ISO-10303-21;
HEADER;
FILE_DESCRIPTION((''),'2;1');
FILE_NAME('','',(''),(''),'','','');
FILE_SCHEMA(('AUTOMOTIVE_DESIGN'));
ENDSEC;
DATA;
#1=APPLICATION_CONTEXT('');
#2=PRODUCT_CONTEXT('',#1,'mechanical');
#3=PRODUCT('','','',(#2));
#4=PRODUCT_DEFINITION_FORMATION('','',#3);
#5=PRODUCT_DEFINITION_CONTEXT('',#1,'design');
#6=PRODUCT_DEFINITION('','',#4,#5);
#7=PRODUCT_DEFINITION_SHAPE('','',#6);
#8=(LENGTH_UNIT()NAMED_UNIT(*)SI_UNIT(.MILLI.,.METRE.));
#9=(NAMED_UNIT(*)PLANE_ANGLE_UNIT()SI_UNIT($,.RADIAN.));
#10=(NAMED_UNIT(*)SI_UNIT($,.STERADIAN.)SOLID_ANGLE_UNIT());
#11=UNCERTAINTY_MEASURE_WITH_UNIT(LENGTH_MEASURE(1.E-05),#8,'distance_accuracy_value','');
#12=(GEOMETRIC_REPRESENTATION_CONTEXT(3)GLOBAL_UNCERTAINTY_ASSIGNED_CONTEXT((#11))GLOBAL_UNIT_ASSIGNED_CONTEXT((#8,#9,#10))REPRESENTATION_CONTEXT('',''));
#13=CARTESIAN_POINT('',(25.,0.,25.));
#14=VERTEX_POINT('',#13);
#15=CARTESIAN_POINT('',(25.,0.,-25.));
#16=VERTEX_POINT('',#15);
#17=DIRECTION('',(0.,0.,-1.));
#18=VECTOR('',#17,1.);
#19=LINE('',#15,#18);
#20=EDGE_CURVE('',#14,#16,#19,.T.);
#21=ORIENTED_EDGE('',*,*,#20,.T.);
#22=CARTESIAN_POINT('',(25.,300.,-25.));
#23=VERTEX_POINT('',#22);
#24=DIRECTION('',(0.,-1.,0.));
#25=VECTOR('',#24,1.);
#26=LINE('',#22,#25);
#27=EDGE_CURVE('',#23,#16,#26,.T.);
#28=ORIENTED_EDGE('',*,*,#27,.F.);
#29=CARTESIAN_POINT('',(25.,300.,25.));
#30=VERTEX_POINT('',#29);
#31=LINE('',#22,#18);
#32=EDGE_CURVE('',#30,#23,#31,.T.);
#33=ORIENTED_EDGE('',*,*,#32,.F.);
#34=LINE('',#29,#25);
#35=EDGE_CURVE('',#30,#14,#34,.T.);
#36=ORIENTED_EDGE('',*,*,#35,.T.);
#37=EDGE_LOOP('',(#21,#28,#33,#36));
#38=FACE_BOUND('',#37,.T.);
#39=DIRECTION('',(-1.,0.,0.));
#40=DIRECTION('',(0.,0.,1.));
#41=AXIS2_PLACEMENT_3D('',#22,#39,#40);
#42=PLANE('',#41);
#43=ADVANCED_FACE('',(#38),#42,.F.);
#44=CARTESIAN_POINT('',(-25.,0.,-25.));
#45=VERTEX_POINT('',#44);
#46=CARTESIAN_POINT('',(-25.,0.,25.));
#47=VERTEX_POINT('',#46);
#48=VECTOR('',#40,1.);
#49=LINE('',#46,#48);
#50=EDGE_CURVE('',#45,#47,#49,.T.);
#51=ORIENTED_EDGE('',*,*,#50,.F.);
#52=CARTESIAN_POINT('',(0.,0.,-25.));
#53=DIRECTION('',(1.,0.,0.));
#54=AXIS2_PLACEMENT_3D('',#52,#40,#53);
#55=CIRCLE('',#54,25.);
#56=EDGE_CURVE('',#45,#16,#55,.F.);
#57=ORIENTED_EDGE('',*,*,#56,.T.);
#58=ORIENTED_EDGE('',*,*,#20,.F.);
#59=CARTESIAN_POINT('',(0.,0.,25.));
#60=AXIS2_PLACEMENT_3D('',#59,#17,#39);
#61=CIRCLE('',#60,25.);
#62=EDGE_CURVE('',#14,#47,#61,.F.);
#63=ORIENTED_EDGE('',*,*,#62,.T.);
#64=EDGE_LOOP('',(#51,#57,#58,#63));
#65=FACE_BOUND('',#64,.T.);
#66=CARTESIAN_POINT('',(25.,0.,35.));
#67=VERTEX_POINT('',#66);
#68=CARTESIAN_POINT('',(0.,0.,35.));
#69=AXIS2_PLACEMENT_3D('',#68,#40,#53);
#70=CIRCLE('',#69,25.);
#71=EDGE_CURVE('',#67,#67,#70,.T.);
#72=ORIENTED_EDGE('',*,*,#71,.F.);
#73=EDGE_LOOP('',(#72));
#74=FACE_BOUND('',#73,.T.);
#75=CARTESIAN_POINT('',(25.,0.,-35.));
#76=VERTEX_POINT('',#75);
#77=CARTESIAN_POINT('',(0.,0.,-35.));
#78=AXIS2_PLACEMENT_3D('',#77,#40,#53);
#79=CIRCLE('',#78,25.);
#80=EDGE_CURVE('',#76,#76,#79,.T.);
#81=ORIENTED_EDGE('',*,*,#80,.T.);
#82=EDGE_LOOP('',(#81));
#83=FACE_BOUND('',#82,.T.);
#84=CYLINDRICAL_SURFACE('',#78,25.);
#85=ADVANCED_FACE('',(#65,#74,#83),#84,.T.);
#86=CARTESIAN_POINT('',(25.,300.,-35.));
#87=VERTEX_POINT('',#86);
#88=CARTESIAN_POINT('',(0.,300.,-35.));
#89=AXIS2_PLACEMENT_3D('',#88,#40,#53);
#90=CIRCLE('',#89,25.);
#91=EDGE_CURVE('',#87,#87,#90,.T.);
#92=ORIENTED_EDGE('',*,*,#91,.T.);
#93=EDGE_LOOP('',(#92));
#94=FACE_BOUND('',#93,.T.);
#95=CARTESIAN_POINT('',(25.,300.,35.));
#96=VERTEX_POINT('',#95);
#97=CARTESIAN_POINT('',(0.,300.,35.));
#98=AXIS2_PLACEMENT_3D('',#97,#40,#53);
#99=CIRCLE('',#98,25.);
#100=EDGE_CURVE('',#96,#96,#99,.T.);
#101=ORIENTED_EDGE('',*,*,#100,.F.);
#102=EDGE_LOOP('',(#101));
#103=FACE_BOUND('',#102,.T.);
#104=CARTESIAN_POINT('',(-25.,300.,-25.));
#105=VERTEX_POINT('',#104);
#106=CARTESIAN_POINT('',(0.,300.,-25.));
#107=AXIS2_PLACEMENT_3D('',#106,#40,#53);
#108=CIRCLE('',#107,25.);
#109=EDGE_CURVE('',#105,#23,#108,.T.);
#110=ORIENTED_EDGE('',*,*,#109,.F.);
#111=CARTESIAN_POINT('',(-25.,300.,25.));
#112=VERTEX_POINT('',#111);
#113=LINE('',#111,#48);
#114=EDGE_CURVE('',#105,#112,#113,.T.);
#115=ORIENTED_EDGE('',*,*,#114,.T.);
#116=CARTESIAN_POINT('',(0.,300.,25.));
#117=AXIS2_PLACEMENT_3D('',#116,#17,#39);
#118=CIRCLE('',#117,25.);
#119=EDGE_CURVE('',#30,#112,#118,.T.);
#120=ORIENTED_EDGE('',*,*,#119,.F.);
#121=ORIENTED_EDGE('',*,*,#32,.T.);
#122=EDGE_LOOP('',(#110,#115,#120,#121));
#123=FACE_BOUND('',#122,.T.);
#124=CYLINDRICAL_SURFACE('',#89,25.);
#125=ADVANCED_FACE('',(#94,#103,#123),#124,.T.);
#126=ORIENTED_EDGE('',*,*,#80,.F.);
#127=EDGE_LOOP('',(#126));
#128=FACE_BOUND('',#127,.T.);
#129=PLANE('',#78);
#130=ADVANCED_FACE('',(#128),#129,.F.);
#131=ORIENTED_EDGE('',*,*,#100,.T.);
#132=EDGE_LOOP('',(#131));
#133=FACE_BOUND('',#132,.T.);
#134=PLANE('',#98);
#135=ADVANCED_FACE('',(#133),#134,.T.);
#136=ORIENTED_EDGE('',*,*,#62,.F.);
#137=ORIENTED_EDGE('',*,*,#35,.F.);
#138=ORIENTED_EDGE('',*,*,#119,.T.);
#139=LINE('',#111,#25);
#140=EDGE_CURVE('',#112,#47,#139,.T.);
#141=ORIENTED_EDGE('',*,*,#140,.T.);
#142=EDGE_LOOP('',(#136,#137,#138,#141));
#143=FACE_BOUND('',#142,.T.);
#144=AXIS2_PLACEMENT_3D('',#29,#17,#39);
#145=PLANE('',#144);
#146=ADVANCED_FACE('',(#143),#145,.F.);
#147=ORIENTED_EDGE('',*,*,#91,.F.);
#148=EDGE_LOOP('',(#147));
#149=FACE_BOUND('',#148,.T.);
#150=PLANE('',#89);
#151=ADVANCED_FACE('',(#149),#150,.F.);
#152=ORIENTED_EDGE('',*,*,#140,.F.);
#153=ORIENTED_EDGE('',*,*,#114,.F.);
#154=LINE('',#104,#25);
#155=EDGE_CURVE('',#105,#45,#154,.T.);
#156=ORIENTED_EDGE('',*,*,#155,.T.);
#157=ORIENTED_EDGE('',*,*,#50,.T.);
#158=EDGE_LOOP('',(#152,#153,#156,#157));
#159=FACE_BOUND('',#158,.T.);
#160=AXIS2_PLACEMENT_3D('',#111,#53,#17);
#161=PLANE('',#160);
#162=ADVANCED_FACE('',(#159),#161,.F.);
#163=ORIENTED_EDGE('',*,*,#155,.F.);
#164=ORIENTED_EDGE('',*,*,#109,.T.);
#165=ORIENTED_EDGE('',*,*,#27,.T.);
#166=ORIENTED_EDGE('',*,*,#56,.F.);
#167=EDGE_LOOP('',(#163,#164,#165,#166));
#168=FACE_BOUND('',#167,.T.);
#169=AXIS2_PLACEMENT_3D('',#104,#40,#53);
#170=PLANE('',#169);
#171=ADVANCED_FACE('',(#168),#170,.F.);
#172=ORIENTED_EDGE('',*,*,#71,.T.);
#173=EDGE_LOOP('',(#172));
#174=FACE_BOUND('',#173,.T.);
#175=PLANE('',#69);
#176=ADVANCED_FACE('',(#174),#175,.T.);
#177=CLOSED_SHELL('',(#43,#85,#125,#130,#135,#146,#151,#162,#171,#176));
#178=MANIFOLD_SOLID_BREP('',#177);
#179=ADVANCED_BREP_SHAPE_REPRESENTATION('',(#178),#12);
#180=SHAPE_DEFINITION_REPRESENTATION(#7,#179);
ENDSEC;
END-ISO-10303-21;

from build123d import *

# Parameters (mm, degrees)
EXTRUDE_1_DEPTH      = 35
EXTRUDE_1_DEPTH_BACK = 35
SKETCH_1_R           = 25
SKETCH_2_W           = 50
SKETCH_2_H           = 50
EXTRUDE_2_DEPTH      = 300
EXTRUDE_3_DEPTH      = 35
EXTRUDE_3_DEPTH_BACK = 35
SKETCH_3_R           = 25


with BuildPart() as part:
    # 草图1 → 凸台-拉伸1 (new, two sides: drawn at the far end of the back side and taken through both)
    with BuildSketch(Plane.XY.offset(-EXTRUDE_1_DEPTH_BACK)):
        Circle(SKETCH_1_R)
    extrude(amount=EXTRUDE_1_DEPTH + EXTRUDE_1_DEPTH_BACK)

    # 草图2 → 凸台-拉伸2 (add)
    with BuildSketch(Plane(origin=(0, 0, 0), x_dir=(1, 0, 0), z_dir=(0, 1, 0))):
        Rectangle(SKETCH_2_W, SKETCH_2_H)
    extrude(amount=EXTRUDE_2_DEPTH)

    # 草图3 → 凸台-拉伸3 (add, two sides: drawn at the far end of the back side and taken through both)
    with BuildSketch(Plane.XY.offset(-EXTRUDE_3_DEPTH_BACK)):
        with Locations((0, 300)):
            Circle(SKETCH_3_R)
    extrude(amount=EXTRUDE_3_DEPTH + EXTRUDE_3_DEPTH_BACK)


solid = part.part
